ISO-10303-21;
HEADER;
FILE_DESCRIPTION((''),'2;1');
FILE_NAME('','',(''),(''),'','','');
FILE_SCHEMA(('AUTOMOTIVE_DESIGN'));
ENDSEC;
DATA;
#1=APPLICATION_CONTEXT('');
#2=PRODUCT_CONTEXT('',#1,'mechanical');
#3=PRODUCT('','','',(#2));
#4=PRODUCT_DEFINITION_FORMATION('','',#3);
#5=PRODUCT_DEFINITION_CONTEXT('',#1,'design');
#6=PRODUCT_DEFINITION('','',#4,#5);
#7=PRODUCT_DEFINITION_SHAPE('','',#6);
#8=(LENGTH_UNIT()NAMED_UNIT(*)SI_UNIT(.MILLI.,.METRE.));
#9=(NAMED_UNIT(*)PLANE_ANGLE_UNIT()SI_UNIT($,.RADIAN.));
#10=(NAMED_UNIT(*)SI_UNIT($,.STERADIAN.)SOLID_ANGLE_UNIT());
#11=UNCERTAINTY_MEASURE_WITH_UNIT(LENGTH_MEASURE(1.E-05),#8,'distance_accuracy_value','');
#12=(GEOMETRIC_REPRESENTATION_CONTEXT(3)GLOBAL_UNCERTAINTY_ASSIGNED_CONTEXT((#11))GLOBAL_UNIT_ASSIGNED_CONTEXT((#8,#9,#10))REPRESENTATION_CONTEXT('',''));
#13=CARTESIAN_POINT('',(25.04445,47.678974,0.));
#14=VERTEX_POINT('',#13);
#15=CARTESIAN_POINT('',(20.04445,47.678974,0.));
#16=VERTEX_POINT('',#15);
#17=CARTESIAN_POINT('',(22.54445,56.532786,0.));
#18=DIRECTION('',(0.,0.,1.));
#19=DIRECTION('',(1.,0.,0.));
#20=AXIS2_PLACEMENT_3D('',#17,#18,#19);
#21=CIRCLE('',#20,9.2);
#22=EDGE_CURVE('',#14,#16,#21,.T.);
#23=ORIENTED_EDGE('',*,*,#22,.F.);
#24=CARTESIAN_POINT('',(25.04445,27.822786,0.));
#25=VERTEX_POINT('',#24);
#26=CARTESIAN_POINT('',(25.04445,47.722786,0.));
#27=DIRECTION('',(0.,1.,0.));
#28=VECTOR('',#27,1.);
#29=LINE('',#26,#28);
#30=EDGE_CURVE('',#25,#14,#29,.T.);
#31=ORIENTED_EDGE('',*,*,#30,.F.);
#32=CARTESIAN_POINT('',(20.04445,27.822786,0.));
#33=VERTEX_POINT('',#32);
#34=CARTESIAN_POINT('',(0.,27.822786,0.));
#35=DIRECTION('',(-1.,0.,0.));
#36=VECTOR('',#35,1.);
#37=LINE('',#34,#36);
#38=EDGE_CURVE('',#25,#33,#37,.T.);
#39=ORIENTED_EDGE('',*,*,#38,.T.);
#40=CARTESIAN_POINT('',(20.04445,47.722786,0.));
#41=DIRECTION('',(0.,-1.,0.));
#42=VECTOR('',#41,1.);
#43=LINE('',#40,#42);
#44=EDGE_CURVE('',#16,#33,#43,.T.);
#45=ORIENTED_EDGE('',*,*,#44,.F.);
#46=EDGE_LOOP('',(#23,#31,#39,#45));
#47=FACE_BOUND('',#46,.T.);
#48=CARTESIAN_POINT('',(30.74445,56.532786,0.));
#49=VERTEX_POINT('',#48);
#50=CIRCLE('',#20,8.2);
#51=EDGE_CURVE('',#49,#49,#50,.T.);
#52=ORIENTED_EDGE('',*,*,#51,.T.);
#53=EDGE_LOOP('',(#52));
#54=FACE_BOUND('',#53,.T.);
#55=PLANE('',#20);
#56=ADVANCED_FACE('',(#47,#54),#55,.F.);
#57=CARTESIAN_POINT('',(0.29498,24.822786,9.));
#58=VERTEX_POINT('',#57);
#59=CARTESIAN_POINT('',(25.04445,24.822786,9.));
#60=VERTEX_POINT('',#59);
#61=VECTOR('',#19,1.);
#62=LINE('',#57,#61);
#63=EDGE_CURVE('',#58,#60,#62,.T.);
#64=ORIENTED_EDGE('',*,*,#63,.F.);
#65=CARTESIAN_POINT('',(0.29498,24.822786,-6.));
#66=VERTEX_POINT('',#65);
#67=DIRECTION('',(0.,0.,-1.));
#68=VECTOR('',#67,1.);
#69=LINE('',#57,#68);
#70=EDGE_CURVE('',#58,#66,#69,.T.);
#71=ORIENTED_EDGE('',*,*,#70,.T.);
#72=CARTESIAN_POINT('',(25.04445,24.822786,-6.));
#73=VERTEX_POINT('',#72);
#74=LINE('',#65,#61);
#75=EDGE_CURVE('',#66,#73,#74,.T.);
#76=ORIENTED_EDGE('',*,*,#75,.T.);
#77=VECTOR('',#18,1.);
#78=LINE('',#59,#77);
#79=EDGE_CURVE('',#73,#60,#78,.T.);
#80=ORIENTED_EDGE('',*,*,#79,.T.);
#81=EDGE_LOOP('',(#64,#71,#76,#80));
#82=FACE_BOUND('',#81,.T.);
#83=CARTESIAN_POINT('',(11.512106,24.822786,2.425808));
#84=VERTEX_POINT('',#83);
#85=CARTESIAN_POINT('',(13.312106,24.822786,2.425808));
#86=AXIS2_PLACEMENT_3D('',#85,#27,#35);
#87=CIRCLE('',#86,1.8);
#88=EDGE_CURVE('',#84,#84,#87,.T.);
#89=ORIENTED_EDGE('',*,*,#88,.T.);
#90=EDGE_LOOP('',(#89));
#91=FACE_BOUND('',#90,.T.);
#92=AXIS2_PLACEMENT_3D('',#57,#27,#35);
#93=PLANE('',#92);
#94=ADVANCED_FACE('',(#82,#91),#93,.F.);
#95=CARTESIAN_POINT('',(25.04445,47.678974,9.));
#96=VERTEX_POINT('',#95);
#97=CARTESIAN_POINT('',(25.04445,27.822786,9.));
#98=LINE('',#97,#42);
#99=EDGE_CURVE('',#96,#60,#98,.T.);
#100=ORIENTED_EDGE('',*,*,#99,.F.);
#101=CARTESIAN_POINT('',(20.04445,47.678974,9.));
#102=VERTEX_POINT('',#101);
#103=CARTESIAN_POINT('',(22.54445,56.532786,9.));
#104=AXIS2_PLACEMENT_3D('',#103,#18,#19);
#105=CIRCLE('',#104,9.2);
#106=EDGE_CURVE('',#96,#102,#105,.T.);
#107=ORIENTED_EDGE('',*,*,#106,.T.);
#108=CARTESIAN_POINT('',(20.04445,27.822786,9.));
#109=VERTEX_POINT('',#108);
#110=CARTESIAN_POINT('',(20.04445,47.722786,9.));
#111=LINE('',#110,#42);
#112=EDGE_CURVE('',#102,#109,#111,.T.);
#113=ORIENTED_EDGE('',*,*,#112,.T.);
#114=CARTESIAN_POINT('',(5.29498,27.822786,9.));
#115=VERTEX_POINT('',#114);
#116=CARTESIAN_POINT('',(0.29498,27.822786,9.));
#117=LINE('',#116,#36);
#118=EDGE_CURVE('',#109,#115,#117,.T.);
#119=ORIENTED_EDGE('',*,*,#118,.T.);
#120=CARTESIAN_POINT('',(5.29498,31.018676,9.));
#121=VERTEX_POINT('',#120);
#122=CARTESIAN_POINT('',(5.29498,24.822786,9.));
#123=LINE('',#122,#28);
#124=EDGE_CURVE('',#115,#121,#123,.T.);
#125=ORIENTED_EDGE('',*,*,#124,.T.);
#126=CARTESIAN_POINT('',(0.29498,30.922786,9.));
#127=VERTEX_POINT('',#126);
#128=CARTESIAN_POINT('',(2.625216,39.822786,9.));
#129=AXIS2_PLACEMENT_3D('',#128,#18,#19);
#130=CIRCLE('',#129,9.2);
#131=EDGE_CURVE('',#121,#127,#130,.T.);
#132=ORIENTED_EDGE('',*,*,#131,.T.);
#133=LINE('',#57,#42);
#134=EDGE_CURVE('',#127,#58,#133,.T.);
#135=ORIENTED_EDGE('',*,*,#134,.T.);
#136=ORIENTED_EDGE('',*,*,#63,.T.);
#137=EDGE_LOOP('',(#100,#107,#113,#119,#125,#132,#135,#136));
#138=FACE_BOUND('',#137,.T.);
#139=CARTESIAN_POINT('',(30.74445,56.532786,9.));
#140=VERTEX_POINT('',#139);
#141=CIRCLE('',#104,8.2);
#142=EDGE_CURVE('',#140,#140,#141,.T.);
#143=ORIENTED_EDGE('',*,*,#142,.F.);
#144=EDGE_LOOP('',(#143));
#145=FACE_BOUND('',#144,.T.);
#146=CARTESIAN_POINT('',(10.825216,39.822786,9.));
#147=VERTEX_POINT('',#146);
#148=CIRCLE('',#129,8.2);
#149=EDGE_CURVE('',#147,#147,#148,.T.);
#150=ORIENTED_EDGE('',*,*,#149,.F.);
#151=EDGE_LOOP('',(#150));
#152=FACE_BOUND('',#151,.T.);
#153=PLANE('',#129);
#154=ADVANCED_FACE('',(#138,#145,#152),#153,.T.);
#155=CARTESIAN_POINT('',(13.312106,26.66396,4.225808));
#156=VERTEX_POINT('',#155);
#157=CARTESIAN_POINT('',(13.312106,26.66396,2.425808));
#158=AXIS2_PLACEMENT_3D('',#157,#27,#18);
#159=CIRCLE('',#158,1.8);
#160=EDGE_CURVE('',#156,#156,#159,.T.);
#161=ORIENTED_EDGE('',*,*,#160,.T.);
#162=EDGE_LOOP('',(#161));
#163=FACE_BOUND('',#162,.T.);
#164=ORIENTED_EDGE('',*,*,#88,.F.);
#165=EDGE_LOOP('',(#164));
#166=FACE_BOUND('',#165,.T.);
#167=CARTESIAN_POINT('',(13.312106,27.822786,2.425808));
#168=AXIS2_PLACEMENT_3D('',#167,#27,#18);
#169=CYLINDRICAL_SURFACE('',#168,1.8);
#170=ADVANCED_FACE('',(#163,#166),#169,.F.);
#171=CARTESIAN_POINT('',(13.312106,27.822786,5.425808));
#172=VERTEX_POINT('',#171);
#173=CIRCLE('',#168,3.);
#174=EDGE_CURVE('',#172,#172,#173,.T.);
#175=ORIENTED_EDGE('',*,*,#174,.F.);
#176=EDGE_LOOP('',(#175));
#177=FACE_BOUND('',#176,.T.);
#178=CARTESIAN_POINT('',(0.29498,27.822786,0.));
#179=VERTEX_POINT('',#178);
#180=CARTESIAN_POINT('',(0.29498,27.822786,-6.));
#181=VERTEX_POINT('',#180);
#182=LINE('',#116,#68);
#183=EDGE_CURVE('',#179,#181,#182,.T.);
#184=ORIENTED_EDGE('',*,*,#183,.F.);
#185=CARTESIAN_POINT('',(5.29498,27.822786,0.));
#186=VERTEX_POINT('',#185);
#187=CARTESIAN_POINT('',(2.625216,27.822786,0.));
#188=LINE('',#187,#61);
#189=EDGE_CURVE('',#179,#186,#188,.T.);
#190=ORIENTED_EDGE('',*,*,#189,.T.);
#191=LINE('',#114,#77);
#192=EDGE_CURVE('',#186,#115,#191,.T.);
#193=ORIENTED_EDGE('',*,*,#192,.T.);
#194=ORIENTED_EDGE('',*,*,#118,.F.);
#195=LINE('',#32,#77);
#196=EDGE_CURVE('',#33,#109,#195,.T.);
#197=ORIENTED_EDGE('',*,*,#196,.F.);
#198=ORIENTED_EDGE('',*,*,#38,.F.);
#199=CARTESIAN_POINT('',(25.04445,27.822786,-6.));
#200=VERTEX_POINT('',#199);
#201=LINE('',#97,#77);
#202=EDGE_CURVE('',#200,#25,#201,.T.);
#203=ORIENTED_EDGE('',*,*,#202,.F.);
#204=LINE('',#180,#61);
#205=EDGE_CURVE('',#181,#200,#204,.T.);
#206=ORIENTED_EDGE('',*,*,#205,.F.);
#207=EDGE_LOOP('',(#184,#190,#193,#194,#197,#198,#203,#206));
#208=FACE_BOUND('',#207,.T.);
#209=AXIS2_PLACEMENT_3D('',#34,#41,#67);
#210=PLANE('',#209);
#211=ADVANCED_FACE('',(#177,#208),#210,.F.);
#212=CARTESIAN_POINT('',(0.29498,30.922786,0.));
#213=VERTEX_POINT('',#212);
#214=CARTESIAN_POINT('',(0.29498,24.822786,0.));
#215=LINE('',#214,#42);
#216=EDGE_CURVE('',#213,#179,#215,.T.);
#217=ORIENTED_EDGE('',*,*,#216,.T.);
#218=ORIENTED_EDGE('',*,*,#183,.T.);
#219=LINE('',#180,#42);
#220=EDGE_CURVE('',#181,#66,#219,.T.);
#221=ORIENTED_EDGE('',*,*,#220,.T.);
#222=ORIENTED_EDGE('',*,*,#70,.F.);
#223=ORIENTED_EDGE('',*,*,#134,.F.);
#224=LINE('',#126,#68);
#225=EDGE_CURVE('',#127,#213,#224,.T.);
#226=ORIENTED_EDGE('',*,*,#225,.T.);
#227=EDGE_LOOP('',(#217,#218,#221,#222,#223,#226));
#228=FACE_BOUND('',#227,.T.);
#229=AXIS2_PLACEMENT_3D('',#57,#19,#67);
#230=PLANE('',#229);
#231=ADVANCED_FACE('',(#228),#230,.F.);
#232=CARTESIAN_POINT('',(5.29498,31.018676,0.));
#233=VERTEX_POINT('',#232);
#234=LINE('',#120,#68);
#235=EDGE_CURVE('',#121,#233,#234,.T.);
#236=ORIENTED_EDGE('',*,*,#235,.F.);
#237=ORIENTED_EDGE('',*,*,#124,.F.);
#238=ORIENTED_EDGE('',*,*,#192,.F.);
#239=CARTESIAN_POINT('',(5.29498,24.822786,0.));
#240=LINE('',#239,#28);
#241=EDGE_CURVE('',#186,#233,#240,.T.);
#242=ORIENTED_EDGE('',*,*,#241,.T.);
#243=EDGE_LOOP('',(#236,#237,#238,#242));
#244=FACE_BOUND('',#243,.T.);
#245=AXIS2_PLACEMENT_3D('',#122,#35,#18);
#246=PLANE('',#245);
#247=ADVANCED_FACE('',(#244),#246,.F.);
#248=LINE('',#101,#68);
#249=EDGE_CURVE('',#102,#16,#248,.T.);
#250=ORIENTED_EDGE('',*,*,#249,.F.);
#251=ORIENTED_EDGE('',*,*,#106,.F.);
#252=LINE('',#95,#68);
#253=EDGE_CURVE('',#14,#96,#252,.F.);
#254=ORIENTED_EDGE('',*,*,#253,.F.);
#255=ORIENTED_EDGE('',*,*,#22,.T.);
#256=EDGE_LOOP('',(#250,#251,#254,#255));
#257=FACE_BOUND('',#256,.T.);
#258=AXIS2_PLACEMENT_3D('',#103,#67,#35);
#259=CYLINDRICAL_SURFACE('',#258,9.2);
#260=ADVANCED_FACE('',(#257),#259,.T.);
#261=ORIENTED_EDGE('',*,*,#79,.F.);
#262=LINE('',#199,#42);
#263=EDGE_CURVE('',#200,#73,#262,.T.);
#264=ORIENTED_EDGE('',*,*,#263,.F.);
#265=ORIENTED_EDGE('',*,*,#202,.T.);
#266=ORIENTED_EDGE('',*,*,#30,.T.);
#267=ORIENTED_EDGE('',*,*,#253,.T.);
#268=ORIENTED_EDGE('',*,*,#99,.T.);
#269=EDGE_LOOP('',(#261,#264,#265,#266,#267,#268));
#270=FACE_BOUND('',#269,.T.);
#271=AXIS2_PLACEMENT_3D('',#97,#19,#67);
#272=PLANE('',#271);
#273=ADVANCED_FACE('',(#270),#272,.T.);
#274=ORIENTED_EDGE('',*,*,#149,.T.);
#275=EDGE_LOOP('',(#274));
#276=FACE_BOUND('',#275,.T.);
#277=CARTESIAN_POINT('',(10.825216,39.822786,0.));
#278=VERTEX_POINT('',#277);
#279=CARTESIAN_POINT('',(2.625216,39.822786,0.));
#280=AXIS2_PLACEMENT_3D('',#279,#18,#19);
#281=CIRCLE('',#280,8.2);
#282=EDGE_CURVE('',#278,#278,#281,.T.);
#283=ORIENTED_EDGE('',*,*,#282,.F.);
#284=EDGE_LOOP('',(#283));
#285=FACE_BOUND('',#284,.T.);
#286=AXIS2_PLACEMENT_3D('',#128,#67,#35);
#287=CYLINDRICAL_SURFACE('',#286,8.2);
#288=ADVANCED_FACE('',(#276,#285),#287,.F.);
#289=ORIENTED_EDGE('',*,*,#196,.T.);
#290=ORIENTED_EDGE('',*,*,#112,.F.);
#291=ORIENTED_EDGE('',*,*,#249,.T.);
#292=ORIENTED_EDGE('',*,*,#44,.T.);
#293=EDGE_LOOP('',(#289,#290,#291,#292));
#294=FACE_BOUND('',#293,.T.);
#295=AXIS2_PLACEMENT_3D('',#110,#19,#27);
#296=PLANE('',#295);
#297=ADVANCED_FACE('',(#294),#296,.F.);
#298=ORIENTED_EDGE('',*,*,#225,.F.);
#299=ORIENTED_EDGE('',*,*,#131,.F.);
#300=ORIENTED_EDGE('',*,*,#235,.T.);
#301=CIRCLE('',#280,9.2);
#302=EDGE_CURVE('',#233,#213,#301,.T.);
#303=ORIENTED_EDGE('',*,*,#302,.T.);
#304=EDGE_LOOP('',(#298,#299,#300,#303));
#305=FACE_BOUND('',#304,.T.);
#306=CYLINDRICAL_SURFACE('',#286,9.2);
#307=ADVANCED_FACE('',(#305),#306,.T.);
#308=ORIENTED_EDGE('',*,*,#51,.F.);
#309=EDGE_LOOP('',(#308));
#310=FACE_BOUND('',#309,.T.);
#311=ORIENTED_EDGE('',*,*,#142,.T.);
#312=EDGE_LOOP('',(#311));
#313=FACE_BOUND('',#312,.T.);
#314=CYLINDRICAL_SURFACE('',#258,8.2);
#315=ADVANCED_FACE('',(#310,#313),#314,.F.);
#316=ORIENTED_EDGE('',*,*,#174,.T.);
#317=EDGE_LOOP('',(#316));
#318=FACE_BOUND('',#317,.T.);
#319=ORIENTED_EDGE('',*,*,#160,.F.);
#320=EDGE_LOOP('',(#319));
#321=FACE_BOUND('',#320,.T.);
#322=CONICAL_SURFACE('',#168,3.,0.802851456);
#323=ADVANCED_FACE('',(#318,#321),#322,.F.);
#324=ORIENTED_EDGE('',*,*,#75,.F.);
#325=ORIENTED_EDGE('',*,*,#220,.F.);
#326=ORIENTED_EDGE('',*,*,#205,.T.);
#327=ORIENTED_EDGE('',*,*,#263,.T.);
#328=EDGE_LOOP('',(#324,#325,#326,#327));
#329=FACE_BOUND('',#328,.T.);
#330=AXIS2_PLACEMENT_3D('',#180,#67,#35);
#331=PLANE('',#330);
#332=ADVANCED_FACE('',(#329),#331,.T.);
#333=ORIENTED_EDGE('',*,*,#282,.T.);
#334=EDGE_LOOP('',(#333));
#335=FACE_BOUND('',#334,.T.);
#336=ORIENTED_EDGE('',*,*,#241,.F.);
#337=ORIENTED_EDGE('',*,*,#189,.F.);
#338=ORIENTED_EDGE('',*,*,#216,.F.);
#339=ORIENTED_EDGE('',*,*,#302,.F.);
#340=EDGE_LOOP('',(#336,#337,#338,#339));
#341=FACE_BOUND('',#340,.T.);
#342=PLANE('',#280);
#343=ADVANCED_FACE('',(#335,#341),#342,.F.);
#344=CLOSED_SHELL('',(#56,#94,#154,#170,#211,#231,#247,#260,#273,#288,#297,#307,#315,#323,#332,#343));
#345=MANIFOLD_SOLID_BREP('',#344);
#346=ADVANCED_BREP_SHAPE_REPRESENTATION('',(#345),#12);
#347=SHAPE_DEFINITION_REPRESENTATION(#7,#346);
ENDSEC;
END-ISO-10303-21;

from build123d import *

# Parameters (mm, degrees)
SKETCH1_R             = 9.2
SKETCH1_R_2           = 8.2
BOSS_EXTRUDE1_DEPTH   = 9
BOSS_EXTRUDE1_2_DEPTH = 9
BOSS_EXTRUDE2_DEPTH   = 9
SKETCH3_W             = 24.749470463
SKETCH3_H             = 15
BOSS_EXTRUDE3_DEPTH   = 3


with BuildPart() as part:
    # Sketch1 → Boss-Extrude1 (new body)
    with BuildSketch(Plane.XY):
        with Locations((22.544450453, 56.532786317)):
            Circle(SKETCH1_R)
        with Locations((22.544450453, 56.532786317)):
            Circle(SKETCH1_R_2, mode=Mode.SUBTRACT)
    extrude(amount=BOSS_EXTRUDE1_DEPTH)



with BuildPart() as body_2:
    # Sketch1 → Boss-Extrude1 2 (new body)
    with BuildSketch(Plane.XY):
        with Locations((2.62521603, 39.822786317)):
            Circle(SKETCH1_R)
        with Locations((2.62521603, 39.822786317)):
            Circle(SKETCH1_R_2, mode=Mode.SUBTRACT)
    extrude(amount=BOSS_EXTRUDE1_2_DEPTH)


with BuildPart() as part_1:
    add(part.part)

    add(body_2.part)  # Boss-Extrude2 merges body 2
    # Sketch2 → Boss-Extrude2 (add)
    with BuildSketch(Plane.XY):
        with BuildLine():
            Line((0.29497999, 24.822786317), (5.29497999, 24.822786317))
            Line((5.29497999, 24.822786317), (5.29497999, 31.018675891))
            ThreePointArc((5.29497999, 31.018675891), (2.801620408, 30.624477696), (0.29497999, 30.922786317))
            Line((0.29497999, 30.922786317), (0.29497999, 24.822786317))
        make_face()
        with BuildLine():
            Line((20.044450453, 47.722786317), (20.044450453, 24.822786317))
            Line((20.044450453, 24.822786317), (25.044450453, 24.822786317))
            Line((25.044450453, 24.822786317), (25.044450453, 47.722786317))
            ThreePointArc((25.044450453, 47.722786317), (22.544450453, 47.332786317), (20.044450453, 47.722786317))
        make_face()
    extrude(amount=BOSS_EXTRUDE2_DEPTH)

    # Sketch3 → Boss-Extrude3 (add)
    with BuildSketch(Plane.XZ.offset(-24.822786317)):
        with Locations((12.669715222, 1.5)):
            Rectangle(SKETCH3_W, SKETCH3_H)
    extrude(amount=-BOSS_EXTRUDE3_DEPTH)

    # Sketch5 → Avellanado para tornillo con cabeza avellanada en cruz de M31 (revolve, cut)
    with BuildSketch(Plane(origin=(13.312105777, 27.822786317, 2.425807985), x_dir=(0, 0, 1), z_dir=(1, 0, 0))):
        Polygon((0, 0), (0, 11.081549114), (1.8, 10), (1.8, 1.15882653), (3, 0), align=None)
    revolve(axis=Axis((13.312105777, 34.172786317, 2.425807985), (0, -1, 0)), mode=Mode.SUBTRACT)


solid = part_1.part
